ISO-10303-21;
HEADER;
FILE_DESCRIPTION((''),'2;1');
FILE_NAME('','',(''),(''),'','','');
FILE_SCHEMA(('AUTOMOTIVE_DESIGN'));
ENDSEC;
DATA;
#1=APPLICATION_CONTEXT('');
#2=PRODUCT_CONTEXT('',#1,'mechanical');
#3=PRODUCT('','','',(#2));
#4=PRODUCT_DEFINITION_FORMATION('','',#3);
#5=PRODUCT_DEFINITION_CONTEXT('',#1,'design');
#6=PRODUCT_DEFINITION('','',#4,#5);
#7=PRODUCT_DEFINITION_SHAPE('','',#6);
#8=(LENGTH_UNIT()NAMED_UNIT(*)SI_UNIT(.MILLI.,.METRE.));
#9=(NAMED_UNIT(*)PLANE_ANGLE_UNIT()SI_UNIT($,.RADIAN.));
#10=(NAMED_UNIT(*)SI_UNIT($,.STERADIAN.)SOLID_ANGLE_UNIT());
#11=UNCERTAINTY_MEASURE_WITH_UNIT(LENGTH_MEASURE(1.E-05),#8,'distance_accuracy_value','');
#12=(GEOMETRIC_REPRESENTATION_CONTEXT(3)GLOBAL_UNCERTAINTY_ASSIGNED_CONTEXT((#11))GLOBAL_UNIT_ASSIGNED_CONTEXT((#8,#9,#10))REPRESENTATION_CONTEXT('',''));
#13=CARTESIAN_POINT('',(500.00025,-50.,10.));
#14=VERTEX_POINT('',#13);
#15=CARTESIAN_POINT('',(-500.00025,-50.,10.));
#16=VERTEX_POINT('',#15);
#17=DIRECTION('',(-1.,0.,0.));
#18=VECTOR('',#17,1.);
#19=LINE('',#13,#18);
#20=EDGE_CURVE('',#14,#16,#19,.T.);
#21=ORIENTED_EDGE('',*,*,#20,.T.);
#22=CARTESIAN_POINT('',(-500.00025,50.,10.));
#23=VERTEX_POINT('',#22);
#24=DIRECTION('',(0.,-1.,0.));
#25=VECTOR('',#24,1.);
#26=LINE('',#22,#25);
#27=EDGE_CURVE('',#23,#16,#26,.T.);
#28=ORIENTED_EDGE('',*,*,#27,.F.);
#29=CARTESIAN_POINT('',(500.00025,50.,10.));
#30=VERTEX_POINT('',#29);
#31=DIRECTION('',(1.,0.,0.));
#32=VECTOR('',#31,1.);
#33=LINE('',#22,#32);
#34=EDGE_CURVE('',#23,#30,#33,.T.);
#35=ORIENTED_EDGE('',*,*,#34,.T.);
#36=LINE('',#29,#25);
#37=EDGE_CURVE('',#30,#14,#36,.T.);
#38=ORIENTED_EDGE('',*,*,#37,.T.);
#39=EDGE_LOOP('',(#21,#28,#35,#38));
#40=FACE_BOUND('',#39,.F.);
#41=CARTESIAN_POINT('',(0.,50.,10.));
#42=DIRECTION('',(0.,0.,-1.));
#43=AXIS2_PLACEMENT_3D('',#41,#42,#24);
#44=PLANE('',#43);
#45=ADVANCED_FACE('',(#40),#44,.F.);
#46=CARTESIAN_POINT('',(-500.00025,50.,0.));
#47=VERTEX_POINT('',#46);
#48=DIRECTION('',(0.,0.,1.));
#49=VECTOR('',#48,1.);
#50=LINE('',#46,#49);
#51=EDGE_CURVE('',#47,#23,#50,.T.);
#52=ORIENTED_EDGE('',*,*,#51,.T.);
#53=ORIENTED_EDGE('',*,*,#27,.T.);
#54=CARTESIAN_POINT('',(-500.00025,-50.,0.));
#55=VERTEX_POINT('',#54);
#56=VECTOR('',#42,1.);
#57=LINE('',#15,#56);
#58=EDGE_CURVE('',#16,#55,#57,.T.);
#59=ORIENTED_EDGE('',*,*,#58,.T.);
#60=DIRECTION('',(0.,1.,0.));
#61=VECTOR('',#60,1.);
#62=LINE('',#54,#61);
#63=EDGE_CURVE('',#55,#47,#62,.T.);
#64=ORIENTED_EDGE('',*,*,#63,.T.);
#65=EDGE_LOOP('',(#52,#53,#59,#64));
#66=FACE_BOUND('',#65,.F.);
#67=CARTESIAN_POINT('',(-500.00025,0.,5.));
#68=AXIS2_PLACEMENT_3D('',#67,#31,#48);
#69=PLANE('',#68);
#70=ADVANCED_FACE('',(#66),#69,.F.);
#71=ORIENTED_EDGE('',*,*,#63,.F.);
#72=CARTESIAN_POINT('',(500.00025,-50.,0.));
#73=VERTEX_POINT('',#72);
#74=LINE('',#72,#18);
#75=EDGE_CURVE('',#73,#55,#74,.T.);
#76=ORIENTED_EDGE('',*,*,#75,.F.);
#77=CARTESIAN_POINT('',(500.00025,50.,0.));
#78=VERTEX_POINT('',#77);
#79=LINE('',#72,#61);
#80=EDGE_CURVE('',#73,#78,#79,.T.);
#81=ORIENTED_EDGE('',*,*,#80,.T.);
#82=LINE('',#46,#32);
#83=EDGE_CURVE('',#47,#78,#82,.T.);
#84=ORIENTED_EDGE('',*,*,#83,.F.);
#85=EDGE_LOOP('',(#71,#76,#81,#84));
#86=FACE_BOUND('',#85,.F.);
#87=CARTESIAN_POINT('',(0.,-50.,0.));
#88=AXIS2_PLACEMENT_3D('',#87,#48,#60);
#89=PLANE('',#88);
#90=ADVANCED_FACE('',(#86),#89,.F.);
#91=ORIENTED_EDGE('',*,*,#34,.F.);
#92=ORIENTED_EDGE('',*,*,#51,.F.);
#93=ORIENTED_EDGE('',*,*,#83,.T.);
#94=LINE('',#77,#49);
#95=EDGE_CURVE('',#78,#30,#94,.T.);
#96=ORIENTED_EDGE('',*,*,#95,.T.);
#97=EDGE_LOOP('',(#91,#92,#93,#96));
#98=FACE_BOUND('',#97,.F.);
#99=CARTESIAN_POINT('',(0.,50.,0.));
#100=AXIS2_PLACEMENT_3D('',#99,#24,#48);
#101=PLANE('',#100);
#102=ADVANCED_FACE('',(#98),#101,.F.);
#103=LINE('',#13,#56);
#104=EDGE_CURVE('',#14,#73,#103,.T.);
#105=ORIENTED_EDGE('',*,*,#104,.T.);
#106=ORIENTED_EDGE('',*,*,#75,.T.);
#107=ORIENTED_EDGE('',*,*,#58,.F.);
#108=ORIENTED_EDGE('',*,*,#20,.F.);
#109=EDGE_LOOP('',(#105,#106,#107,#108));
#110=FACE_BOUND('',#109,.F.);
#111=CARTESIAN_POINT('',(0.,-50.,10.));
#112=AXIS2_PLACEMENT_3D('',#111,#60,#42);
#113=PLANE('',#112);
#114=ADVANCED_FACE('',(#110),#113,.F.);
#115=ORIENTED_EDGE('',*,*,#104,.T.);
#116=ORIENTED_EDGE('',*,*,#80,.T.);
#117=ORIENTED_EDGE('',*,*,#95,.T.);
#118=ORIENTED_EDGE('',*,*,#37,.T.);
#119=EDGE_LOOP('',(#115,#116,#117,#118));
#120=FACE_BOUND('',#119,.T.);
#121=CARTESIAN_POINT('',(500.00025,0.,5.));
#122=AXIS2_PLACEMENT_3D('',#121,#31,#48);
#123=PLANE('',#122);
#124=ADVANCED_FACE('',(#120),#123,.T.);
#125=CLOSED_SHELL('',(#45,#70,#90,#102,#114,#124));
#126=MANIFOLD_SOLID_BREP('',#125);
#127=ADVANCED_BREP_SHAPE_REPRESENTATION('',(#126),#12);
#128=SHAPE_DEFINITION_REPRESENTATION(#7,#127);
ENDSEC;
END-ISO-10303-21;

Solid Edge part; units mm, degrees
sketch "Sketch1" plane through (0, 0, 0) normal (1, 0, 0) x (0, 1, 0)
  line L0 (-50, 0) -> (50, 0)
  line L1 (50, 0) -> (50, 10)
  line L2 (50, 10) -> (-50, 10)
  line L3 (-50, 10) -> (-50, 0)
  dimension "D1" = 10
  dimension "D2" = 100.0001
extrude "Protrusion1" add sketch "Sketch1" along normal mid plane 1000.0005
